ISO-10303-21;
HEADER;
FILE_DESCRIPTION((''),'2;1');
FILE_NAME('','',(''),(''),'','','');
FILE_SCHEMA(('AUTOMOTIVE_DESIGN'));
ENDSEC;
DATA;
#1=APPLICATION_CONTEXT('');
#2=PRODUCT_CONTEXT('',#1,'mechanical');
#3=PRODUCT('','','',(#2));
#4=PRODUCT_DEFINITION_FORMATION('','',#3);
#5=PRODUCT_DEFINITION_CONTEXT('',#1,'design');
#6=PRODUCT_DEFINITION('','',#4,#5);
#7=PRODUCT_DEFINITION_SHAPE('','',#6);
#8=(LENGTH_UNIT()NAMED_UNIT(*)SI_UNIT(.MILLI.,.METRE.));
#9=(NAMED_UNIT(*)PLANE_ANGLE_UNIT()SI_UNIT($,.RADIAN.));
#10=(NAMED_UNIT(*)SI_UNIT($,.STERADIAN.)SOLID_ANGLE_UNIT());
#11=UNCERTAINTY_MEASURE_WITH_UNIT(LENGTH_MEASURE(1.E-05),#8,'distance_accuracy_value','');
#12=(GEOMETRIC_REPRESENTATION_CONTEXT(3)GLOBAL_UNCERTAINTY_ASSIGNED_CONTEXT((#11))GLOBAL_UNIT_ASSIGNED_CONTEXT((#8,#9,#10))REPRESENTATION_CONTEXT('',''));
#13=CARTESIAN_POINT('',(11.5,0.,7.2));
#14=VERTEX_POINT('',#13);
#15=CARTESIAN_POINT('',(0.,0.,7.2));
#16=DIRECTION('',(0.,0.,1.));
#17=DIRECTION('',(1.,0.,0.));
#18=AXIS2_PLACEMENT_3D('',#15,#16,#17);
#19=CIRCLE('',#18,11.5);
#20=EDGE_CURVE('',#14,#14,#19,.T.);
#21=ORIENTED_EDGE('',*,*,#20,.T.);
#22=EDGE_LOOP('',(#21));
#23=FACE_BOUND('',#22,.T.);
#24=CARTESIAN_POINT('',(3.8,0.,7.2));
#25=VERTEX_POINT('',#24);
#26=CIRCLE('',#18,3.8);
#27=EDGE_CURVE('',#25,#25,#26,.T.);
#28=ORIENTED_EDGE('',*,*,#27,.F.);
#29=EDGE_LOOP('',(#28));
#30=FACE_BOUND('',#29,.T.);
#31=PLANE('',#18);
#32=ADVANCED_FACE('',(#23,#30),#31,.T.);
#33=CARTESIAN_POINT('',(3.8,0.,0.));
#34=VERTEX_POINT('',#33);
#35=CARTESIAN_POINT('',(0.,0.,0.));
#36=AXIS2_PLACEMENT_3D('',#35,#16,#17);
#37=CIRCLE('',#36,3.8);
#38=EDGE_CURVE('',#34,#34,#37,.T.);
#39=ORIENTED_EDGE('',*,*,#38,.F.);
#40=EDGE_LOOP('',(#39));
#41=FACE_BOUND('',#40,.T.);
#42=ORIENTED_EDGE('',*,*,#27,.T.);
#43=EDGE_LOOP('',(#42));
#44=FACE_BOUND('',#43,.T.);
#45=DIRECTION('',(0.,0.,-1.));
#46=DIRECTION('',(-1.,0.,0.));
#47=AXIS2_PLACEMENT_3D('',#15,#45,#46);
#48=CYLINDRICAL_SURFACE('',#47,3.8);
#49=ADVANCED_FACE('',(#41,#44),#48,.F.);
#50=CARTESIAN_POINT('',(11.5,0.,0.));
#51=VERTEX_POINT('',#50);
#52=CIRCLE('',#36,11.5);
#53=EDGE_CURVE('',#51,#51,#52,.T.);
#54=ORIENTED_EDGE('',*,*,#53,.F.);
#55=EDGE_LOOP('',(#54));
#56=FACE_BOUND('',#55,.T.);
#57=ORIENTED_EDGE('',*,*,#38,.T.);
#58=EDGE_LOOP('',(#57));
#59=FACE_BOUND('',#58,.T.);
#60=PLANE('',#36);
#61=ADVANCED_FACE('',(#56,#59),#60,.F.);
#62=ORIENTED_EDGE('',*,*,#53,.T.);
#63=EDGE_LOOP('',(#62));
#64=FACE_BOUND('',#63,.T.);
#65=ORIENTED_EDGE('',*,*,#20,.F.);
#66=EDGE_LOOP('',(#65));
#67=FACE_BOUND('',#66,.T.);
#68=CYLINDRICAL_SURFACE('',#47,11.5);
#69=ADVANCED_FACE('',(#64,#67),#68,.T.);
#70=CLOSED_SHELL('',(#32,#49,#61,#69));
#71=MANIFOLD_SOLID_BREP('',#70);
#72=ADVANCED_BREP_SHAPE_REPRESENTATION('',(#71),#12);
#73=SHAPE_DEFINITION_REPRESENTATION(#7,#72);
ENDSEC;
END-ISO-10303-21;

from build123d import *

# Parameters (mm, degrees)
IZIM1_R                     = 11.5
IZIM1_R_2                   = 3.8
Y_KSEKLIK_EKSTR_ZYON1_DEPTH = 7.2


with BuildPart() as part:
    # Çizim1 → Yükseklik-Ekstrüzyon1 (new body)
    with BuildSketch(Plane.XY):
        Circle(IZIM1_R)
        Circle(IZIM1_R_2, mode=Mode.SUBTRACT)
    extrude(amount=Y_KSEKLIK_EKSTR_ZYON1_DEPTH)


solid = part.part
